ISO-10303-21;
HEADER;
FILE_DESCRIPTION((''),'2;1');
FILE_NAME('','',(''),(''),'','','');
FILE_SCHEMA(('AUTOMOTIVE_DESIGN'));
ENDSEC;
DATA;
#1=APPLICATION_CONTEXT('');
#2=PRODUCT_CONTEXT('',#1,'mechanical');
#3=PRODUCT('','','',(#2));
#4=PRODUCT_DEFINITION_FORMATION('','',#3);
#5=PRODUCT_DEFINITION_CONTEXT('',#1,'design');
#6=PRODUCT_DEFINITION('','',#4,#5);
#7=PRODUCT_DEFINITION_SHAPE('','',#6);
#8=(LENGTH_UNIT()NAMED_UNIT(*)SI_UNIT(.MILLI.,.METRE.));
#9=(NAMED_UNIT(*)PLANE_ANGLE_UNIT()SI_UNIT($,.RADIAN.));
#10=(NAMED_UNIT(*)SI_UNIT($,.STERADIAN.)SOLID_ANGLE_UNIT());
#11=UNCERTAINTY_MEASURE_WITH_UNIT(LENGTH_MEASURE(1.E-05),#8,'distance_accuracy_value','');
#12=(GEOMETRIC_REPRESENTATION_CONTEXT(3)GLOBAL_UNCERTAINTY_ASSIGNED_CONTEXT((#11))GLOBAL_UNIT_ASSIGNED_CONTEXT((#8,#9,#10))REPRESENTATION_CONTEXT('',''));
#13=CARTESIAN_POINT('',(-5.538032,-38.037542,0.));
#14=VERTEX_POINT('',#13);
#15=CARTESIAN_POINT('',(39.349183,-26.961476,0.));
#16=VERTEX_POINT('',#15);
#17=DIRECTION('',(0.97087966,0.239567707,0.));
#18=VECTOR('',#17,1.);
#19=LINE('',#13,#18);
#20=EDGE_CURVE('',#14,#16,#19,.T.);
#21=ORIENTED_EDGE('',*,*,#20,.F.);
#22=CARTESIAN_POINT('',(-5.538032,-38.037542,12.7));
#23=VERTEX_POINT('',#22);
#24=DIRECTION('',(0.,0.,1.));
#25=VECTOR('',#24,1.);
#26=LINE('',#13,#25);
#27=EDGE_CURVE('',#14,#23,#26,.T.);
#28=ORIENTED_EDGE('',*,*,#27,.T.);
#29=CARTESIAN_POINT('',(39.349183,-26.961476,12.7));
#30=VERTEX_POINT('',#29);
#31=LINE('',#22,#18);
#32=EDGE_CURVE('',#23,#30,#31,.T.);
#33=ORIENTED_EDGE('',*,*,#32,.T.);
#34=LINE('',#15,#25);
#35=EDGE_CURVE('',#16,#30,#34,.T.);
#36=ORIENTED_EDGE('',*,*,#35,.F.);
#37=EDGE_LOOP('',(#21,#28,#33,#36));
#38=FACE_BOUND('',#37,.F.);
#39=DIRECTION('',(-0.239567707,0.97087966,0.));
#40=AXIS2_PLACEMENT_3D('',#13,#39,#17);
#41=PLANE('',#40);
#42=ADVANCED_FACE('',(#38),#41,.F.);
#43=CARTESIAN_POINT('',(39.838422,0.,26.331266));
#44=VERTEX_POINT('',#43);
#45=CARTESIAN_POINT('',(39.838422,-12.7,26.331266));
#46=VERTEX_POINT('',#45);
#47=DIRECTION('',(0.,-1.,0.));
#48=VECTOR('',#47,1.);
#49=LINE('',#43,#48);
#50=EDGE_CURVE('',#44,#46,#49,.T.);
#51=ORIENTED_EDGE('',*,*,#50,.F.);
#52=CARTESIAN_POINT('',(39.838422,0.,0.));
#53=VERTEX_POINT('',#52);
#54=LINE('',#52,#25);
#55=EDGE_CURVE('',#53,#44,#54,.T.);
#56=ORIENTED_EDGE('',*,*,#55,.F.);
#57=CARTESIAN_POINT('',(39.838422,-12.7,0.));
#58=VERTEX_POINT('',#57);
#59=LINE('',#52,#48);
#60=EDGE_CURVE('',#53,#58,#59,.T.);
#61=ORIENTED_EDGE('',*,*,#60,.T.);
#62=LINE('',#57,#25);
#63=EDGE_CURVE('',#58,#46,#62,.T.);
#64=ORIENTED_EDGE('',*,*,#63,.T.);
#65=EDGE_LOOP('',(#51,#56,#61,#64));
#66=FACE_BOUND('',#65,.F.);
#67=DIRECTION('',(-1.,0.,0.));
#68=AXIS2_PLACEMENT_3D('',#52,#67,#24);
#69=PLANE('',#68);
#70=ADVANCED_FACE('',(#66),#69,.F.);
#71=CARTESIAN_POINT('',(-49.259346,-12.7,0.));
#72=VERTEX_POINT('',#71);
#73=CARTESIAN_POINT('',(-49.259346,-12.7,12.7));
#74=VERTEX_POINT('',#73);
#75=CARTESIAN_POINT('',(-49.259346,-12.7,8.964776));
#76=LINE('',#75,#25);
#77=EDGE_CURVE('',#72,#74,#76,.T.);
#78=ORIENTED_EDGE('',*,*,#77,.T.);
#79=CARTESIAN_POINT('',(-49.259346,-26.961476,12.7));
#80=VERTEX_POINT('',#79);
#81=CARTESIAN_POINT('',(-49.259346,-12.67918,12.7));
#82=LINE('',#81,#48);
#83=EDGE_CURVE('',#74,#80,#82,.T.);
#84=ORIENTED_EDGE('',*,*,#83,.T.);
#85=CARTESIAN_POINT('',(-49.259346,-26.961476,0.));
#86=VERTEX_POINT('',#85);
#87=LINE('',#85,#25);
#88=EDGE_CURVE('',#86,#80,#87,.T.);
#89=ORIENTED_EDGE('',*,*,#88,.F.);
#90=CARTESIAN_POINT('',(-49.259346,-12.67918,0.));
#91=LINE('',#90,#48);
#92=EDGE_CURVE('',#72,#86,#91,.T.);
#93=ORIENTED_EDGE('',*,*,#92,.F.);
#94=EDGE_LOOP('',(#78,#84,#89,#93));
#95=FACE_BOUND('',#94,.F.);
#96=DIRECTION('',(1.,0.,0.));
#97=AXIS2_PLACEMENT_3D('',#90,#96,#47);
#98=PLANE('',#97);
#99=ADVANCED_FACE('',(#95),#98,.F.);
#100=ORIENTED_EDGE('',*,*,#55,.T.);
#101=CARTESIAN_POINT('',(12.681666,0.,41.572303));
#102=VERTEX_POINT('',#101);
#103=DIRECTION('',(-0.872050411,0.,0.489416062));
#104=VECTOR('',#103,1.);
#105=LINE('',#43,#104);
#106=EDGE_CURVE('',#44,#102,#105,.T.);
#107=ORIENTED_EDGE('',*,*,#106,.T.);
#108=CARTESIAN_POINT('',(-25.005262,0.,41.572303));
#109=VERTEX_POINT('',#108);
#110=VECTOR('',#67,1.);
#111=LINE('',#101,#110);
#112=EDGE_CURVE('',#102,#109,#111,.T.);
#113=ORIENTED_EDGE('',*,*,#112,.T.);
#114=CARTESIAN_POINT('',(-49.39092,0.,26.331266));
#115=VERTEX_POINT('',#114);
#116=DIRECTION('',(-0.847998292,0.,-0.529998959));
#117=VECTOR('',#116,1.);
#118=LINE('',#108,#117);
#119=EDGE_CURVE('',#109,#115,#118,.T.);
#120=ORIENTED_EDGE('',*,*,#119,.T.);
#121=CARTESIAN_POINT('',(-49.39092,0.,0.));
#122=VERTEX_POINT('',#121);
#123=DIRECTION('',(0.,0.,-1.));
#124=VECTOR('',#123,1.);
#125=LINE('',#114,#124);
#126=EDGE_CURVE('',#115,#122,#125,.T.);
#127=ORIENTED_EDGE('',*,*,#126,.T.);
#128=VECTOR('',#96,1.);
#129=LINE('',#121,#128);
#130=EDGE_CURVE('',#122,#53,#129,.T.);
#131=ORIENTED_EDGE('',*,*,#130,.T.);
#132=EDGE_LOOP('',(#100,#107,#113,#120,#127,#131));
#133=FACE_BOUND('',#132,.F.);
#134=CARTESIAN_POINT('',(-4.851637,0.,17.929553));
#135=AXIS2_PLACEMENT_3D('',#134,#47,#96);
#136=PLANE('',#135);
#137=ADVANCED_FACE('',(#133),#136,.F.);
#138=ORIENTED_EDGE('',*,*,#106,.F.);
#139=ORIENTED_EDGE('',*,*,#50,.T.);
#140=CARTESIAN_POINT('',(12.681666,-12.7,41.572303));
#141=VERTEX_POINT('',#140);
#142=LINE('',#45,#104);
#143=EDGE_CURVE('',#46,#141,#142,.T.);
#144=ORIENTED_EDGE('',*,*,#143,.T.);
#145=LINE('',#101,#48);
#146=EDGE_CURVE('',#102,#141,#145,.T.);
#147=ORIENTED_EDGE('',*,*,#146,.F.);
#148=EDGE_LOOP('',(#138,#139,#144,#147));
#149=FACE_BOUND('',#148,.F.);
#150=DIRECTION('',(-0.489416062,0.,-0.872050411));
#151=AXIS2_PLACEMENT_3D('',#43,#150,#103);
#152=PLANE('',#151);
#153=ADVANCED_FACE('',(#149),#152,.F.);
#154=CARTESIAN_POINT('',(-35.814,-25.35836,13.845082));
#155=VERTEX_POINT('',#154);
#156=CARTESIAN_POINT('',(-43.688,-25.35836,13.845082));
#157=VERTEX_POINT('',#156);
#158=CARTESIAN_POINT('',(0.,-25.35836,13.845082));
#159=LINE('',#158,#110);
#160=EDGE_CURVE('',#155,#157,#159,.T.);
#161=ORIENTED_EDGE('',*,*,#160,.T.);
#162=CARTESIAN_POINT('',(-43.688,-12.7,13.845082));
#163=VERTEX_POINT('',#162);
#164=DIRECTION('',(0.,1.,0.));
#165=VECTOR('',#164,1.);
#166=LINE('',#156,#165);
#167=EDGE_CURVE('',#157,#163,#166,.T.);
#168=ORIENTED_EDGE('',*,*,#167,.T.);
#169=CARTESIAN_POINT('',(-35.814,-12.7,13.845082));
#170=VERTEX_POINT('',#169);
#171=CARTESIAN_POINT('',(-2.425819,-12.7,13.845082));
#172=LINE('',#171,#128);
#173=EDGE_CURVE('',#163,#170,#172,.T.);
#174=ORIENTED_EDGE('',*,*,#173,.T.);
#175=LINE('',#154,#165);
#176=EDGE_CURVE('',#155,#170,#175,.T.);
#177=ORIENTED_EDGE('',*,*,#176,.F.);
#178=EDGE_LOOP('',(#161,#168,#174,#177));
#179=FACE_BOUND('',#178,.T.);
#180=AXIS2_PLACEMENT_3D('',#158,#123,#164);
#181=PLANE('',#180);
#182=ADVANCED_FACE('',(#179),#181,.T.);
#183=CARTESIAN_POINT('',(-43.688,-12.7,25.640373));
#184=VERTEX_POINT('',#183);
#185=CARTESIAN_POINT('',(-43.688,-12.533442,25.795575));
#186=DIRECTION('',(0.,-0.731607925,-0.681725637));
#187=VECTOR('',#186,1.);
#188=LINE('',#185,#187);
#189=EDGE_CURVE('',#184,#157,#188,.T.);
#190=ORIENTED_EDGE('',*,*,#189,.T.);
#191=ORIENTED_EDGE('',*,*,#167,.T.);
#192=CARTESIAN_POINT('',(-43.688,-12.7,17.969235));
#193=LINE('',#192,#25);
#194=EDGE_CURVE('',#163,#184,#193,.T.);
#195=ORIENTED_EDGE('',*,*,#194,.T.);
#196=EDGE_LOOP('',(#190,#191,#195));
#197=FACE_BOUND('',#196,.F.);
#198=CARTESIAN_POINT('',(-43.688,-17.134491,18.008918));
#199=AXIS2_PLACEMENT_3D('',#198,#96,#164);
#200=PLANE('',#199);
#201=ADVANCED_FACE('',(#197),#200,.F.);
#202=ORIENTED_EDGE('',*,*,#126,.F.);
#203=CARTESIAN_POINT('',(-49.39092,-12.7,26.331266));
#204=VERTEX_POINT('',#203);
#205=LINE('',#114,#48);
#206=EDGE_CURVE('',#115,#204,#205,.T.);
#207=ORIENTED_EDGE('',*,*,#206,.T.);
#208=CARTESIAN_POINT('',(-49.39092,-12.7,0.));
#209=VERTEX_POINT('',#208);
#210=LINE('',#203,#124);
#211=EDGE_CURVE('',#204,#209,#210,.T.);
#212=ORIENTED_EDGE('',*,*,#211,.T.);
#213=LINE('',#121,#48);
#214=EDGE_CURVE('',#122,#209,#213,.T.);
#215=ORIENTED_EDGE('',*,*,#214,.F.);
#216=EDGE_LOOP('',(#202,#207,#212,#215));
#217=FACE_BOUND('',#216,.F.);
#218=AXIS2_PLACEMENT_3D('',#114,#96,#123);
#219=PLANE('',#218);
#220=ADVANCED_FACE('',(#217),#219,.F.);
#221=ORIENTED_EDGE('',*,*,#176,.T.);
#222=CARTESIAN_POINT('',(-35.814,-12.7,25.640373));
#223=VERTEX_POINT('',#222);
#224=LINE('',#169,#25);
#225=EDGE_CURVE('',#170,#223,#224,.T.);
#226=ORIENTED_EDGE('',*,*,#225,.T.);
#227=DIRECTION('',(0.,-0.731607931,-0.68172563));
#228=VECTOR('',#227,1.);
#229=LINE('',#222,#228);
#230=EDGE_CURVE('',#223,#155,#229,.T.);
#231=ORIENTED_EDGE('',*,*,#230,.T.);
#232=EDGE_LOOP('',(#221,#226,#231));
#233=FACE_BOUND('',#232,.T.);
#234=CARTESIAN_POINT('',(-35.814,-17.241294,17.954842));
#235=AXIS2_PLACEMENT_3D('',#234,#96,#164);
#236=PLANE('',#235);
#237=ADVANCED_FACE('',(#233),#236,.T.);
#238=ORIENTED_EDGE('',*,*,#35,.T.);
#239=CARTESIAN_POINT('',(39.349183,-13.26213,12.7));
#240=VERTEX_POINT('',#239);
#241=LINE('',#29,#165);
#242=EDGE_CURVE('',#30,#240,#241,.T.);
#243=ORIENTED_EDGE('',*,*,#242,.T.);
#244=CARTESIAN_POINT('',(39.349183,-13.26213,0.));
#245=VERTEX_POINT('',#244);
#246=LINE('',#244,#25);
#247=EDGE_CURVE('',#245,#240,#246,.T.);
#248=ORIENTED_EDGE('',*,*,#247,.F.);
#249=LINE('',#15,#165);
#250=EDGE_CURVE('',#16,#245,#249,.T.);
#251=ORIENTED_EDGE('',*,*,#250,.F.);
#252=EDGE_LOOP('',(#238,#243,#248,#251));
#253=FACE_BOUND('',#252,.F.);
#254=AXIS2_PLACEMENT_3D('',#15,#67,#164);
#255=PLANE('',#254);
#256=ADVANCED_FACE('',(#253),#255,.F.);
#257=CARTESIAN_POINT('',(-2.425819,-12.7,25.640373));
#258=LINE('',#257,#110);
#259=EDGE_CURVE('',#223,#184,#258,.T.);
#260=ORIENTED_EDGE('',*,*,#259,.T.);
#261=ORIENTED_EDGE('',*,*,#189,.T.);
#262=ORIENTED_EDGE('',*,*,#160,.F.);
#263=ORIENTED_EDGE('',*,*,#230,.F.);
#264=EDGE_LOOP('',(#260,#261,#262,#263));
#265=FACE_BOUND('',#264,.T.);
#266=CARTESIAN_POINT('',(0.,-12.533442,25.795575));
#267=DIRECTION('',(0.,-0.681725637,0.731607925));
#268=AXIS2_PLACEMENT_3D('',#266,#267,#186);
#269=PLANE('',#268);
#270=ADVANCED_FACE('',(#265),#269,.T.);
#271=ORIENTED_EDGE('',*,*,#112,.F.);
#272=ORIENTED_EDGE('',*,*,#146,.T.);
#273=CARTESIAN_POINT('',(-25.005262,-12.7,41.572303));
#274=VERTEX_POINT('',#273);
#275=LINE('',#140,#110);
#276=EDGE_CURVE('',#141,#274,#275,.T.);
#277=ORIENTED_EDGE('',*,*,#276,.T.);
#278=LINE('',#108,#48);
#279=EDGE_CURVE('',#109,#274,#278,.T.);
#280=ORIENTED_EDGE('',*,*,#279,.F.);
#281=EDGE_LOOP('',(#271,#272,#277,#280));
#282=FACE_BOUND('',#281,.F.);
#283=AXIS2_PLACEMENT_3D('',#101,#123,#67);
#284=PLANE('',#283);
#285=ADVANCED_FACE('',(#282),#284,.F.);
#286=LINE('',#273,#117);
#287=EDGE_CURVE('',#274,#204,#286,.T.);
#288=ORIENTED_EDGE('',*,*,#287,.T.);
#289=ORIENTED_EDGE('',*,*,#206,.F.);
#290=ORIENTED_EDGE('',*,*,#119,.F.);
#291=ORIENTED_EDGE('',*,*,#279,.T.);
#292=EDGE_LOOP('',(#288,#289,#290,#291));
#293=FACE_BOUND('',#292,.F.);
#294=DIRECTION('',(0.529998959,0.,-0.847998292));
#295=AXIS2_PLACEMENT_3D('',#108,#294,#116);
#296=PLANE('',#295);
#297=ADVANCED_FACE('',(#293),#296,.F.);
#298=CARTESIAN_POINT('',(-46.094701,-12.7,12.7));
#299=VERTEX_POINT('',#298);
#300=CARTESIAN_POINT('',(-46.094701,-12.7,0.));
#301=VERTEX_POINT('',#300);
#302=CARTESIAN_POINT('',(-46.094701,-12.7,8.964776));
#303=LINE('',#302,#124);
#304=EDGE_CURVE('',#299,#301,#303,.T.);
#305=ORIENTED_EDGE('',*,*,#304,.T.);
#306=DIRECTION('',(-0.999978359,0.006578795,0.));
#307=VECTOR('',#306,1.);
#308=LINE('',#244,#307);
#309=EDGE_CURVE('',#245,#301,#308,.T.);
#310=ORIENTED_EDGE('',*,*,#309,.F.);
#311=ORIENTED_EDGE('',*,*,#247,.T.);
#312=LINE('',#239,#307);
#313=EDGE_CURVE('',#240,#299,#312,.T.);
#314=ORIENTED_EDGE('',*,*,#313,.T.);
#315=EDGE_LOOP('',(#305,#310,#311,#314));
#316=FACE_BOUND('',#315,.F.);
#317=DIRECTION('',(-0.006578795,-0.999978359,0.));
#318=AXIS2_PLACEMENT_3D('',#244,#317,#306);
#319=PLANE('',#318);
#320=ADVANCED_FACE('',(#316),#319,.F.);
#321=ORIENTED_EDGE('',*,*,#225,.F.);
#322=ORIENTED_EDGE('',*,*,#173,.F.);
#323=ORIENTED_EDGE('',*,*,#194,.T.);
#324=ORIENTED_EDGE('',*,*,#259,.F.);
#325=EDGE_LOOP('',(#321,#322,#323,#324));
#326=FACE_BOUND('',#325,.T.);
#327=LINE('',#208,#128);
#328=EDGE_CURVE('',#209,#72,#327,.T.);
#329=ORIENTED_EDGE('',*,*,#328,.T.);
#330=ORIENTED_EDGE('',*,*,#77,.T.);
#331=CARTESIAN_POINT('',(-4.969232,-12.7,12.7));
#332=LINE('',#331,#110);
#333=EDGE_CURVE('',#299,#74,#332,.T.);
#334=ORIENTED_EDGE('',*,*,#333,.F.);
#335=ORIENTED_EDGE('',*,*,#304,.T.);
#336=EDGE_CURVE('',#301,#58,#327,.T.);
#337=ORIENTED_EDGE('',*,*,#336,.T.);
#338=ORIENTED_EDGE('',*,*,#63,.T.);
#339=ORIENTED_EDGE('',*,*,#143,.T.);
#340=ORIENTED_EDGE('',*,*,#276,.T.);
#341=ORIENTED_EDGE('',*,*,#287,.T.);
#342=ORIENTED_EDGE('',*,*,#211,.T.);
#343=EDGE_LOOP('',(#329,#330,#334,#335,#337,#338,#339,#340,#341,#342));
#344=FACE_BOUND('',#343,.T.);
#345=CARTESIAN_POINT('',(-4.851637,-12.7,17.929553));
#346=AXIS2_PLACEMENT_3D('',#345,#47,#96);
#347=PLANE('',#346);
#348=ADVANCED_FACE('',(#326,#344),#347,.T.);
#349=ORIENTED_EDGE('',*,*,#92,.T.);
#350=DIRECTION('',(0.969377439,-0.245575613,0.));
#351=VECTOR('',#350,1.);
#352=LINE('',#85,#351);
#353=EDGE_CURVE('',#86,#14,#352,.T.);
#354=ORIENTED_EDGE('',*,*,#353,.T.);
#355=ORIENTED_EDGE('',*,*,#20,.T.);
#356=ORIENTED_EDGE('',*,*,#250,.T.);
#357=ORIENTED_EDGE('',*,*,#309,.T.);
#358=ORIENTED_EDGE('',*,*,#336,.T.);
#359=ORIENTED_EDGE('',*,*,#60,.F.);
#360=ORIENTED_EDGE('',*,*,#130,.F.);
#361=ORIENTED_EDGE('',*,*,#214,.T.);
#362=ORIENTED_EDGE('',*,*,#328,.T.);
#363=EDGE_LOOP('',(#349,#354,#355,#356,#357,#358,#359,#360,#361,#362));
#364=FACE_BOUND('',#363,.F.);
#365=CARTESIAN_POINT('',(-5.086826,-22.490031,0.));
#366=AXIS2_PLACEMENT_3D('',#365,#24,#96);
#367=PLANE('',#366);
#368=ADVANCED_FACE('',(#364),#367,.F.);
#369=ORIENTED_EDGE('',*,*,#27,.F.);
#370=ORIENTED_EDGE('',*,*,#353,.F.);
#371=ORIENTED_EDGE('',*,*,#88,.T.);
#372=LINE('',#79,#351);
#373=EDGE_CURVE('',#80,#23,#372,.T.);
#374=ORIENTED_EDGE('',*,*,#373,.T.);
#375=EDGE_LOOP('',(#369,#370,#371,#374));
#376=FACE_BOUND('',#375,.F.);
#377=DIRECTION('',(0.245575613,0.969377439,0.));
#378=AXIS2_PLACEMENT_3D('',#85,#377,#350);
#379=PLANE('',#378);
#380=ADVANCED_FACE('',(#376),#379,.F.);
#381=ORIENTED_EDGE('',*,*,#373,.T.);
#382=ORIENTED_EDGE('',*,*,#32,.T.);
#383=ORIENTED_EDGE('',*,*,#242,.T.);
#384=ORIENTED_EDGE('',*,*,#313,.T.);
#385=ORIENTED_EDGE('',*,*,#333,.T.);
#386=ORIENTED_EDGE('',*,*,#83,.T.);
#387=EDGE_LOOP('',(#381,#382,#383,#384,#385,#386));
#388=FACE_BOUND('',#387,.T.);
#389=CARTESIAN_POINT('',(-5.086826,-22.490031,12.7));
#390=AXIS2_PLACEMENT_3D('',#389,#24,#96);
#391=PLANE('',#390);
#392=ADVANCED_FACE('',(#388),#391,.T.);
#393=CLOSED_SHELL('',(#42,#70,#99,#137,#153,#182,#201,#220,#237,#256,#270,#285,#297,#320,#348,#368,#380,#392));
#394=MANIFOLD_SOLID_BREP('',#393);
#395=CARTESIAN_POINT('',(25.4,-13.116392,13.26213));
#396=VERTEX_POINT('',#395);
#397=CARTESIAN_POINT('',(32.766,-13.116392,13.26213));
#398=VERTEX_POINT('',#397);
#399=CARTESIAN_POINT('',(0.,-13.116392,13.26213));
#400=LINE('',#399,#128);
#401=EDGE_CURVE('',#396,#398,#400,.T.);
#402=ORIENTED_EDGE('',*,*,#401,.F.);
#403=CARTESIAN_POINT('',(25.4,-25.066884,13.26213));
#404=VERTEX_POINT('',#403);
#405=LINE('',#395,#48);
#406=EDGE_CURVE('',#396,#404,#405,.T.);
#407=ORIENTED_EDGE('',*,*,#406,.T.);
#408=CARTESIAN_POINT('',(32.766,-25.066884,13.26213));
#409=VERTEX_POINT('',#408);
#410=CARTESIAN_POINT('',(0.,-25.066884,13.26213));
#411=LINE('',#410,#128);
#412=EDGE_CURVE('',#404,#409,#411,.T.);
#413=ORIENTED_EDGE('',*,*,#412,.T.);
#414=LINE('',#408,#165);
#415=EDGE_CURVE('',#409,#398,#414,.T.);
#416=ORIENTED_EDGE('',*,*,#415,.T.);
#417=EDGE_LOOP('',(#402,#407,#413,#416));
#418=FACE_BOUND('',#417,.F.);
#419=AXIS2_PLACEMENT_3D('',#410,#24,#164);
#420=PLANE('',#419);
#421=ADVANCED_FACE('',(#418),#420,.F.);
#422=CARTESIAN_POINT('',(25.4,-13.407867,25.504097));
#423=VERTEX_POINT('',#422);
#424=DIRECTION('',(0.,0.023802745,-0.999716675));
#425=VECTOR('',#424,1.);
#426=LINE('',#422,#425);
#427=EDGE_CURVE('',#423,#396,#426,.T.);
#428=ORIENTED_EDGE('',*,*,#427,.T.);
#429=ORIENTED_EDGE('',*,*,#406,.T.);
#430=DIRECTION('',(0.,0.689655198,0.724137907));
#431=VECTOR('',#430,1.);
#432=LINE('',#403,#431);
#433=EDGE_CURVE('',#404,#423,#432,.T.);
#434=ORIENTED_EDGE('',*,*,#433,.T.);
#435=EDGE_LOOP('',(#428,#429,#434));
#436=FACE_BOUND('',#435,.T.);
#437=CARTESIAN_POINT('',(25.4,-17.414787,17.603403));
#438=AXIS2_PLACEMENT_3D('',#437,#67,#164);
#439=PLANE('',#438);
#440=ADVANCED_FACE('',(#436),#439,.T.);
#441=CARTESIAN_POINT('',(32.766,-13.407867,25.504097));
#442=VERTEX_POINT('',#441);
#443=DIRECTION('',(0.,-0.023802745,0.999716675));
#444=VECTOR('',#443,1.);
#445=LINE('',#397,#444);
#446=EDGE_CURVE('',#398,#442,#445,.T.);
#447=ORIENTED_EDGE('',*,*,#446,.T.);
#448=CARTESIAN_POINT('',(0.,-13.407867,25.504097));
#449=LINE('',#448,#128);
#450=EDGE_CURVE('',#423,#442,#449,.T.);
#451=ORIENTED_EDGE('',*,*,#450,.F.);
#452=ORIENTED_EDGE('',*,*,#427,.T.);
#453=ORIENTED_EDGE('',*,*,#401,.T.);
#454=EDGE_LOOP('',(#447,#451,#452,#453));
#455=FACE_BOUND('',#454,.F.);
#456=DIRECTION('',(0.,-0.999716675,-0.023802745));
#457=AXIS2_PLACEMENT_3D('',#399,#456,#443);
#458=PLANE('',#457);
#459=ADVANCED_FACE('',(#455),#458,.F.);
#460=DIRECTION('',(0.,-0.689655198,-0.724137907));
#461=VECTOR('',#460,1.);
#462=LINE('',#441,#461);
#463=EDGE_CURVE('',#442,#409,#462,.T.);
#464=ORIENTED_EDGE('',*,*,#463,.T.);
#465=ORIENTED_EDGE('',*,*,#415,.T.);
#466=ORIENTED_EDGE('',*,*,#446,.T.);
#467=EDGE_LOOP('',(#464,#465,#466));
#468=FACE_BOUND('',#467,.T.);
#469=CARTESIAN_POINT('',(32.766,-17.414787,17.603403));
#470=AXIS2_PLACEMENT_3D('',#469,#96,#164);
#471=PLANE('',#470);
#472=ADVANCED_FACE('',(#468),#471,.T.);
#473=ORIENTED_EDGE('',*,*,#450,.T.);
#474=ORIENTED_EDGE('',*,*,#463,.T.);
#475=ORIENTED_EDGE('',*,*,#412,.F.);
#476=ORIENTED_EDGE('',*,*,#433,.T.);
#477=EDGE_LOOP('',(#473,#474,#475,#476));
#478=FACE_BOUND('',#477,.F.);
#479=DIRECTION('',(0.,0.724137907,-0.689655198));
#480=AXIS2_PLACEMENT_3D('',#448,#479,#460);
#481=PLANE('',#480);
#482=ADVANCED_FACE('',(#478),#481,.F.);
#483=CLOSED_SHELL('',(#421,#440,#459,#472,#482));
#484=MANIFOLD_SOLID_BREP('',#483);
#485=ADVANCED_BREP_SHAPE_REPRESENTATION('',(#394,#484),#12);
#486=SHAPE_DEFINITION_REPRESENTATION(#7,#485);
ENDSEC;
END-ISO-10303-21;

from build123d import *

# Parameters (mm, degrees)
F1_DEPTH = 12.7
F3_DEPTH = 12.7
F5_DEPTH = 32.766
F6_DEPTH = 25.4
F8_DEPTH = 43.688
F9_DEPTH = 35.814


with BuildPart() as f1:
    # F0 (on Front) → F1 (new body)
    with BuildSketch(Plane.XZ):
        Polygon((12.681666, 41.572303), (-25.005262, 41.572303), (-49.39092, 26.331266), (-49.39092, 0), (39.838422, 0), (39.838422, 26.331266), align=None)
    extrude(amount=F1_DEPTH)

    # F2 (on Top) → F3 (join)
    with BuildSketch(Plane.XY):
        Polygon((39.349183, -13.26213), (-49.259346, -12.67918), (-49.259346, -26.961476), (-5.538032, -38.037542), (39.349183, -26.961476), align=None)
    extrude(amount=F3_DEPTH)

    # F7 (on Right) → F8 (join)
    with BuildSketch(Plane.YZ):
        Polygon((-12.533442, 25.795575), (-25.35836, 13.845082), (-12.533442, 13.845082), align=None)
    extrude(amount=-F8_DEPTH)

    # F8_face (on face) → F9 (cut)
    with BuildSketch(Plane(origin=(0, -16.919453, 17.776846), x_dir=(0, 1, 0), z_dir=(1, 0, 0))):
        Polygon((4.219453, -3.931764), (4.219453, 7.863527), (-8.438907, -3.931764), align=None)
    extrude(amount=-F9_DEPTH, mode=Mode.SUBTRACT)


with BuildPart() as f5:
    # F4 (on Right) → F5 (new body)
    with BuildSketch(Plane.YZ):
        Polygon((-25.066884, 13.26213), (-13.116392, 13.26213), (-13.407867, 25.504097), align=None)
    extrude(amount=F5_DEPTH)

    # F5_face (on face) → F6 (cut)
    with BuildSketch(Plane(origin=(0, -17.197048, 17.342786), x_dir=(0, 1, 0), z_dir=(-1, 0, 0))):
        Polygon((4.080656, 4.080656), (-7.869836, 4.080656), (3.789181, -8.161311), align=None)
    extrude(amount=-F6_DEPTH, mode=Mode.SUBTRACT)


solid = Compound([f1.part, f5.part])
